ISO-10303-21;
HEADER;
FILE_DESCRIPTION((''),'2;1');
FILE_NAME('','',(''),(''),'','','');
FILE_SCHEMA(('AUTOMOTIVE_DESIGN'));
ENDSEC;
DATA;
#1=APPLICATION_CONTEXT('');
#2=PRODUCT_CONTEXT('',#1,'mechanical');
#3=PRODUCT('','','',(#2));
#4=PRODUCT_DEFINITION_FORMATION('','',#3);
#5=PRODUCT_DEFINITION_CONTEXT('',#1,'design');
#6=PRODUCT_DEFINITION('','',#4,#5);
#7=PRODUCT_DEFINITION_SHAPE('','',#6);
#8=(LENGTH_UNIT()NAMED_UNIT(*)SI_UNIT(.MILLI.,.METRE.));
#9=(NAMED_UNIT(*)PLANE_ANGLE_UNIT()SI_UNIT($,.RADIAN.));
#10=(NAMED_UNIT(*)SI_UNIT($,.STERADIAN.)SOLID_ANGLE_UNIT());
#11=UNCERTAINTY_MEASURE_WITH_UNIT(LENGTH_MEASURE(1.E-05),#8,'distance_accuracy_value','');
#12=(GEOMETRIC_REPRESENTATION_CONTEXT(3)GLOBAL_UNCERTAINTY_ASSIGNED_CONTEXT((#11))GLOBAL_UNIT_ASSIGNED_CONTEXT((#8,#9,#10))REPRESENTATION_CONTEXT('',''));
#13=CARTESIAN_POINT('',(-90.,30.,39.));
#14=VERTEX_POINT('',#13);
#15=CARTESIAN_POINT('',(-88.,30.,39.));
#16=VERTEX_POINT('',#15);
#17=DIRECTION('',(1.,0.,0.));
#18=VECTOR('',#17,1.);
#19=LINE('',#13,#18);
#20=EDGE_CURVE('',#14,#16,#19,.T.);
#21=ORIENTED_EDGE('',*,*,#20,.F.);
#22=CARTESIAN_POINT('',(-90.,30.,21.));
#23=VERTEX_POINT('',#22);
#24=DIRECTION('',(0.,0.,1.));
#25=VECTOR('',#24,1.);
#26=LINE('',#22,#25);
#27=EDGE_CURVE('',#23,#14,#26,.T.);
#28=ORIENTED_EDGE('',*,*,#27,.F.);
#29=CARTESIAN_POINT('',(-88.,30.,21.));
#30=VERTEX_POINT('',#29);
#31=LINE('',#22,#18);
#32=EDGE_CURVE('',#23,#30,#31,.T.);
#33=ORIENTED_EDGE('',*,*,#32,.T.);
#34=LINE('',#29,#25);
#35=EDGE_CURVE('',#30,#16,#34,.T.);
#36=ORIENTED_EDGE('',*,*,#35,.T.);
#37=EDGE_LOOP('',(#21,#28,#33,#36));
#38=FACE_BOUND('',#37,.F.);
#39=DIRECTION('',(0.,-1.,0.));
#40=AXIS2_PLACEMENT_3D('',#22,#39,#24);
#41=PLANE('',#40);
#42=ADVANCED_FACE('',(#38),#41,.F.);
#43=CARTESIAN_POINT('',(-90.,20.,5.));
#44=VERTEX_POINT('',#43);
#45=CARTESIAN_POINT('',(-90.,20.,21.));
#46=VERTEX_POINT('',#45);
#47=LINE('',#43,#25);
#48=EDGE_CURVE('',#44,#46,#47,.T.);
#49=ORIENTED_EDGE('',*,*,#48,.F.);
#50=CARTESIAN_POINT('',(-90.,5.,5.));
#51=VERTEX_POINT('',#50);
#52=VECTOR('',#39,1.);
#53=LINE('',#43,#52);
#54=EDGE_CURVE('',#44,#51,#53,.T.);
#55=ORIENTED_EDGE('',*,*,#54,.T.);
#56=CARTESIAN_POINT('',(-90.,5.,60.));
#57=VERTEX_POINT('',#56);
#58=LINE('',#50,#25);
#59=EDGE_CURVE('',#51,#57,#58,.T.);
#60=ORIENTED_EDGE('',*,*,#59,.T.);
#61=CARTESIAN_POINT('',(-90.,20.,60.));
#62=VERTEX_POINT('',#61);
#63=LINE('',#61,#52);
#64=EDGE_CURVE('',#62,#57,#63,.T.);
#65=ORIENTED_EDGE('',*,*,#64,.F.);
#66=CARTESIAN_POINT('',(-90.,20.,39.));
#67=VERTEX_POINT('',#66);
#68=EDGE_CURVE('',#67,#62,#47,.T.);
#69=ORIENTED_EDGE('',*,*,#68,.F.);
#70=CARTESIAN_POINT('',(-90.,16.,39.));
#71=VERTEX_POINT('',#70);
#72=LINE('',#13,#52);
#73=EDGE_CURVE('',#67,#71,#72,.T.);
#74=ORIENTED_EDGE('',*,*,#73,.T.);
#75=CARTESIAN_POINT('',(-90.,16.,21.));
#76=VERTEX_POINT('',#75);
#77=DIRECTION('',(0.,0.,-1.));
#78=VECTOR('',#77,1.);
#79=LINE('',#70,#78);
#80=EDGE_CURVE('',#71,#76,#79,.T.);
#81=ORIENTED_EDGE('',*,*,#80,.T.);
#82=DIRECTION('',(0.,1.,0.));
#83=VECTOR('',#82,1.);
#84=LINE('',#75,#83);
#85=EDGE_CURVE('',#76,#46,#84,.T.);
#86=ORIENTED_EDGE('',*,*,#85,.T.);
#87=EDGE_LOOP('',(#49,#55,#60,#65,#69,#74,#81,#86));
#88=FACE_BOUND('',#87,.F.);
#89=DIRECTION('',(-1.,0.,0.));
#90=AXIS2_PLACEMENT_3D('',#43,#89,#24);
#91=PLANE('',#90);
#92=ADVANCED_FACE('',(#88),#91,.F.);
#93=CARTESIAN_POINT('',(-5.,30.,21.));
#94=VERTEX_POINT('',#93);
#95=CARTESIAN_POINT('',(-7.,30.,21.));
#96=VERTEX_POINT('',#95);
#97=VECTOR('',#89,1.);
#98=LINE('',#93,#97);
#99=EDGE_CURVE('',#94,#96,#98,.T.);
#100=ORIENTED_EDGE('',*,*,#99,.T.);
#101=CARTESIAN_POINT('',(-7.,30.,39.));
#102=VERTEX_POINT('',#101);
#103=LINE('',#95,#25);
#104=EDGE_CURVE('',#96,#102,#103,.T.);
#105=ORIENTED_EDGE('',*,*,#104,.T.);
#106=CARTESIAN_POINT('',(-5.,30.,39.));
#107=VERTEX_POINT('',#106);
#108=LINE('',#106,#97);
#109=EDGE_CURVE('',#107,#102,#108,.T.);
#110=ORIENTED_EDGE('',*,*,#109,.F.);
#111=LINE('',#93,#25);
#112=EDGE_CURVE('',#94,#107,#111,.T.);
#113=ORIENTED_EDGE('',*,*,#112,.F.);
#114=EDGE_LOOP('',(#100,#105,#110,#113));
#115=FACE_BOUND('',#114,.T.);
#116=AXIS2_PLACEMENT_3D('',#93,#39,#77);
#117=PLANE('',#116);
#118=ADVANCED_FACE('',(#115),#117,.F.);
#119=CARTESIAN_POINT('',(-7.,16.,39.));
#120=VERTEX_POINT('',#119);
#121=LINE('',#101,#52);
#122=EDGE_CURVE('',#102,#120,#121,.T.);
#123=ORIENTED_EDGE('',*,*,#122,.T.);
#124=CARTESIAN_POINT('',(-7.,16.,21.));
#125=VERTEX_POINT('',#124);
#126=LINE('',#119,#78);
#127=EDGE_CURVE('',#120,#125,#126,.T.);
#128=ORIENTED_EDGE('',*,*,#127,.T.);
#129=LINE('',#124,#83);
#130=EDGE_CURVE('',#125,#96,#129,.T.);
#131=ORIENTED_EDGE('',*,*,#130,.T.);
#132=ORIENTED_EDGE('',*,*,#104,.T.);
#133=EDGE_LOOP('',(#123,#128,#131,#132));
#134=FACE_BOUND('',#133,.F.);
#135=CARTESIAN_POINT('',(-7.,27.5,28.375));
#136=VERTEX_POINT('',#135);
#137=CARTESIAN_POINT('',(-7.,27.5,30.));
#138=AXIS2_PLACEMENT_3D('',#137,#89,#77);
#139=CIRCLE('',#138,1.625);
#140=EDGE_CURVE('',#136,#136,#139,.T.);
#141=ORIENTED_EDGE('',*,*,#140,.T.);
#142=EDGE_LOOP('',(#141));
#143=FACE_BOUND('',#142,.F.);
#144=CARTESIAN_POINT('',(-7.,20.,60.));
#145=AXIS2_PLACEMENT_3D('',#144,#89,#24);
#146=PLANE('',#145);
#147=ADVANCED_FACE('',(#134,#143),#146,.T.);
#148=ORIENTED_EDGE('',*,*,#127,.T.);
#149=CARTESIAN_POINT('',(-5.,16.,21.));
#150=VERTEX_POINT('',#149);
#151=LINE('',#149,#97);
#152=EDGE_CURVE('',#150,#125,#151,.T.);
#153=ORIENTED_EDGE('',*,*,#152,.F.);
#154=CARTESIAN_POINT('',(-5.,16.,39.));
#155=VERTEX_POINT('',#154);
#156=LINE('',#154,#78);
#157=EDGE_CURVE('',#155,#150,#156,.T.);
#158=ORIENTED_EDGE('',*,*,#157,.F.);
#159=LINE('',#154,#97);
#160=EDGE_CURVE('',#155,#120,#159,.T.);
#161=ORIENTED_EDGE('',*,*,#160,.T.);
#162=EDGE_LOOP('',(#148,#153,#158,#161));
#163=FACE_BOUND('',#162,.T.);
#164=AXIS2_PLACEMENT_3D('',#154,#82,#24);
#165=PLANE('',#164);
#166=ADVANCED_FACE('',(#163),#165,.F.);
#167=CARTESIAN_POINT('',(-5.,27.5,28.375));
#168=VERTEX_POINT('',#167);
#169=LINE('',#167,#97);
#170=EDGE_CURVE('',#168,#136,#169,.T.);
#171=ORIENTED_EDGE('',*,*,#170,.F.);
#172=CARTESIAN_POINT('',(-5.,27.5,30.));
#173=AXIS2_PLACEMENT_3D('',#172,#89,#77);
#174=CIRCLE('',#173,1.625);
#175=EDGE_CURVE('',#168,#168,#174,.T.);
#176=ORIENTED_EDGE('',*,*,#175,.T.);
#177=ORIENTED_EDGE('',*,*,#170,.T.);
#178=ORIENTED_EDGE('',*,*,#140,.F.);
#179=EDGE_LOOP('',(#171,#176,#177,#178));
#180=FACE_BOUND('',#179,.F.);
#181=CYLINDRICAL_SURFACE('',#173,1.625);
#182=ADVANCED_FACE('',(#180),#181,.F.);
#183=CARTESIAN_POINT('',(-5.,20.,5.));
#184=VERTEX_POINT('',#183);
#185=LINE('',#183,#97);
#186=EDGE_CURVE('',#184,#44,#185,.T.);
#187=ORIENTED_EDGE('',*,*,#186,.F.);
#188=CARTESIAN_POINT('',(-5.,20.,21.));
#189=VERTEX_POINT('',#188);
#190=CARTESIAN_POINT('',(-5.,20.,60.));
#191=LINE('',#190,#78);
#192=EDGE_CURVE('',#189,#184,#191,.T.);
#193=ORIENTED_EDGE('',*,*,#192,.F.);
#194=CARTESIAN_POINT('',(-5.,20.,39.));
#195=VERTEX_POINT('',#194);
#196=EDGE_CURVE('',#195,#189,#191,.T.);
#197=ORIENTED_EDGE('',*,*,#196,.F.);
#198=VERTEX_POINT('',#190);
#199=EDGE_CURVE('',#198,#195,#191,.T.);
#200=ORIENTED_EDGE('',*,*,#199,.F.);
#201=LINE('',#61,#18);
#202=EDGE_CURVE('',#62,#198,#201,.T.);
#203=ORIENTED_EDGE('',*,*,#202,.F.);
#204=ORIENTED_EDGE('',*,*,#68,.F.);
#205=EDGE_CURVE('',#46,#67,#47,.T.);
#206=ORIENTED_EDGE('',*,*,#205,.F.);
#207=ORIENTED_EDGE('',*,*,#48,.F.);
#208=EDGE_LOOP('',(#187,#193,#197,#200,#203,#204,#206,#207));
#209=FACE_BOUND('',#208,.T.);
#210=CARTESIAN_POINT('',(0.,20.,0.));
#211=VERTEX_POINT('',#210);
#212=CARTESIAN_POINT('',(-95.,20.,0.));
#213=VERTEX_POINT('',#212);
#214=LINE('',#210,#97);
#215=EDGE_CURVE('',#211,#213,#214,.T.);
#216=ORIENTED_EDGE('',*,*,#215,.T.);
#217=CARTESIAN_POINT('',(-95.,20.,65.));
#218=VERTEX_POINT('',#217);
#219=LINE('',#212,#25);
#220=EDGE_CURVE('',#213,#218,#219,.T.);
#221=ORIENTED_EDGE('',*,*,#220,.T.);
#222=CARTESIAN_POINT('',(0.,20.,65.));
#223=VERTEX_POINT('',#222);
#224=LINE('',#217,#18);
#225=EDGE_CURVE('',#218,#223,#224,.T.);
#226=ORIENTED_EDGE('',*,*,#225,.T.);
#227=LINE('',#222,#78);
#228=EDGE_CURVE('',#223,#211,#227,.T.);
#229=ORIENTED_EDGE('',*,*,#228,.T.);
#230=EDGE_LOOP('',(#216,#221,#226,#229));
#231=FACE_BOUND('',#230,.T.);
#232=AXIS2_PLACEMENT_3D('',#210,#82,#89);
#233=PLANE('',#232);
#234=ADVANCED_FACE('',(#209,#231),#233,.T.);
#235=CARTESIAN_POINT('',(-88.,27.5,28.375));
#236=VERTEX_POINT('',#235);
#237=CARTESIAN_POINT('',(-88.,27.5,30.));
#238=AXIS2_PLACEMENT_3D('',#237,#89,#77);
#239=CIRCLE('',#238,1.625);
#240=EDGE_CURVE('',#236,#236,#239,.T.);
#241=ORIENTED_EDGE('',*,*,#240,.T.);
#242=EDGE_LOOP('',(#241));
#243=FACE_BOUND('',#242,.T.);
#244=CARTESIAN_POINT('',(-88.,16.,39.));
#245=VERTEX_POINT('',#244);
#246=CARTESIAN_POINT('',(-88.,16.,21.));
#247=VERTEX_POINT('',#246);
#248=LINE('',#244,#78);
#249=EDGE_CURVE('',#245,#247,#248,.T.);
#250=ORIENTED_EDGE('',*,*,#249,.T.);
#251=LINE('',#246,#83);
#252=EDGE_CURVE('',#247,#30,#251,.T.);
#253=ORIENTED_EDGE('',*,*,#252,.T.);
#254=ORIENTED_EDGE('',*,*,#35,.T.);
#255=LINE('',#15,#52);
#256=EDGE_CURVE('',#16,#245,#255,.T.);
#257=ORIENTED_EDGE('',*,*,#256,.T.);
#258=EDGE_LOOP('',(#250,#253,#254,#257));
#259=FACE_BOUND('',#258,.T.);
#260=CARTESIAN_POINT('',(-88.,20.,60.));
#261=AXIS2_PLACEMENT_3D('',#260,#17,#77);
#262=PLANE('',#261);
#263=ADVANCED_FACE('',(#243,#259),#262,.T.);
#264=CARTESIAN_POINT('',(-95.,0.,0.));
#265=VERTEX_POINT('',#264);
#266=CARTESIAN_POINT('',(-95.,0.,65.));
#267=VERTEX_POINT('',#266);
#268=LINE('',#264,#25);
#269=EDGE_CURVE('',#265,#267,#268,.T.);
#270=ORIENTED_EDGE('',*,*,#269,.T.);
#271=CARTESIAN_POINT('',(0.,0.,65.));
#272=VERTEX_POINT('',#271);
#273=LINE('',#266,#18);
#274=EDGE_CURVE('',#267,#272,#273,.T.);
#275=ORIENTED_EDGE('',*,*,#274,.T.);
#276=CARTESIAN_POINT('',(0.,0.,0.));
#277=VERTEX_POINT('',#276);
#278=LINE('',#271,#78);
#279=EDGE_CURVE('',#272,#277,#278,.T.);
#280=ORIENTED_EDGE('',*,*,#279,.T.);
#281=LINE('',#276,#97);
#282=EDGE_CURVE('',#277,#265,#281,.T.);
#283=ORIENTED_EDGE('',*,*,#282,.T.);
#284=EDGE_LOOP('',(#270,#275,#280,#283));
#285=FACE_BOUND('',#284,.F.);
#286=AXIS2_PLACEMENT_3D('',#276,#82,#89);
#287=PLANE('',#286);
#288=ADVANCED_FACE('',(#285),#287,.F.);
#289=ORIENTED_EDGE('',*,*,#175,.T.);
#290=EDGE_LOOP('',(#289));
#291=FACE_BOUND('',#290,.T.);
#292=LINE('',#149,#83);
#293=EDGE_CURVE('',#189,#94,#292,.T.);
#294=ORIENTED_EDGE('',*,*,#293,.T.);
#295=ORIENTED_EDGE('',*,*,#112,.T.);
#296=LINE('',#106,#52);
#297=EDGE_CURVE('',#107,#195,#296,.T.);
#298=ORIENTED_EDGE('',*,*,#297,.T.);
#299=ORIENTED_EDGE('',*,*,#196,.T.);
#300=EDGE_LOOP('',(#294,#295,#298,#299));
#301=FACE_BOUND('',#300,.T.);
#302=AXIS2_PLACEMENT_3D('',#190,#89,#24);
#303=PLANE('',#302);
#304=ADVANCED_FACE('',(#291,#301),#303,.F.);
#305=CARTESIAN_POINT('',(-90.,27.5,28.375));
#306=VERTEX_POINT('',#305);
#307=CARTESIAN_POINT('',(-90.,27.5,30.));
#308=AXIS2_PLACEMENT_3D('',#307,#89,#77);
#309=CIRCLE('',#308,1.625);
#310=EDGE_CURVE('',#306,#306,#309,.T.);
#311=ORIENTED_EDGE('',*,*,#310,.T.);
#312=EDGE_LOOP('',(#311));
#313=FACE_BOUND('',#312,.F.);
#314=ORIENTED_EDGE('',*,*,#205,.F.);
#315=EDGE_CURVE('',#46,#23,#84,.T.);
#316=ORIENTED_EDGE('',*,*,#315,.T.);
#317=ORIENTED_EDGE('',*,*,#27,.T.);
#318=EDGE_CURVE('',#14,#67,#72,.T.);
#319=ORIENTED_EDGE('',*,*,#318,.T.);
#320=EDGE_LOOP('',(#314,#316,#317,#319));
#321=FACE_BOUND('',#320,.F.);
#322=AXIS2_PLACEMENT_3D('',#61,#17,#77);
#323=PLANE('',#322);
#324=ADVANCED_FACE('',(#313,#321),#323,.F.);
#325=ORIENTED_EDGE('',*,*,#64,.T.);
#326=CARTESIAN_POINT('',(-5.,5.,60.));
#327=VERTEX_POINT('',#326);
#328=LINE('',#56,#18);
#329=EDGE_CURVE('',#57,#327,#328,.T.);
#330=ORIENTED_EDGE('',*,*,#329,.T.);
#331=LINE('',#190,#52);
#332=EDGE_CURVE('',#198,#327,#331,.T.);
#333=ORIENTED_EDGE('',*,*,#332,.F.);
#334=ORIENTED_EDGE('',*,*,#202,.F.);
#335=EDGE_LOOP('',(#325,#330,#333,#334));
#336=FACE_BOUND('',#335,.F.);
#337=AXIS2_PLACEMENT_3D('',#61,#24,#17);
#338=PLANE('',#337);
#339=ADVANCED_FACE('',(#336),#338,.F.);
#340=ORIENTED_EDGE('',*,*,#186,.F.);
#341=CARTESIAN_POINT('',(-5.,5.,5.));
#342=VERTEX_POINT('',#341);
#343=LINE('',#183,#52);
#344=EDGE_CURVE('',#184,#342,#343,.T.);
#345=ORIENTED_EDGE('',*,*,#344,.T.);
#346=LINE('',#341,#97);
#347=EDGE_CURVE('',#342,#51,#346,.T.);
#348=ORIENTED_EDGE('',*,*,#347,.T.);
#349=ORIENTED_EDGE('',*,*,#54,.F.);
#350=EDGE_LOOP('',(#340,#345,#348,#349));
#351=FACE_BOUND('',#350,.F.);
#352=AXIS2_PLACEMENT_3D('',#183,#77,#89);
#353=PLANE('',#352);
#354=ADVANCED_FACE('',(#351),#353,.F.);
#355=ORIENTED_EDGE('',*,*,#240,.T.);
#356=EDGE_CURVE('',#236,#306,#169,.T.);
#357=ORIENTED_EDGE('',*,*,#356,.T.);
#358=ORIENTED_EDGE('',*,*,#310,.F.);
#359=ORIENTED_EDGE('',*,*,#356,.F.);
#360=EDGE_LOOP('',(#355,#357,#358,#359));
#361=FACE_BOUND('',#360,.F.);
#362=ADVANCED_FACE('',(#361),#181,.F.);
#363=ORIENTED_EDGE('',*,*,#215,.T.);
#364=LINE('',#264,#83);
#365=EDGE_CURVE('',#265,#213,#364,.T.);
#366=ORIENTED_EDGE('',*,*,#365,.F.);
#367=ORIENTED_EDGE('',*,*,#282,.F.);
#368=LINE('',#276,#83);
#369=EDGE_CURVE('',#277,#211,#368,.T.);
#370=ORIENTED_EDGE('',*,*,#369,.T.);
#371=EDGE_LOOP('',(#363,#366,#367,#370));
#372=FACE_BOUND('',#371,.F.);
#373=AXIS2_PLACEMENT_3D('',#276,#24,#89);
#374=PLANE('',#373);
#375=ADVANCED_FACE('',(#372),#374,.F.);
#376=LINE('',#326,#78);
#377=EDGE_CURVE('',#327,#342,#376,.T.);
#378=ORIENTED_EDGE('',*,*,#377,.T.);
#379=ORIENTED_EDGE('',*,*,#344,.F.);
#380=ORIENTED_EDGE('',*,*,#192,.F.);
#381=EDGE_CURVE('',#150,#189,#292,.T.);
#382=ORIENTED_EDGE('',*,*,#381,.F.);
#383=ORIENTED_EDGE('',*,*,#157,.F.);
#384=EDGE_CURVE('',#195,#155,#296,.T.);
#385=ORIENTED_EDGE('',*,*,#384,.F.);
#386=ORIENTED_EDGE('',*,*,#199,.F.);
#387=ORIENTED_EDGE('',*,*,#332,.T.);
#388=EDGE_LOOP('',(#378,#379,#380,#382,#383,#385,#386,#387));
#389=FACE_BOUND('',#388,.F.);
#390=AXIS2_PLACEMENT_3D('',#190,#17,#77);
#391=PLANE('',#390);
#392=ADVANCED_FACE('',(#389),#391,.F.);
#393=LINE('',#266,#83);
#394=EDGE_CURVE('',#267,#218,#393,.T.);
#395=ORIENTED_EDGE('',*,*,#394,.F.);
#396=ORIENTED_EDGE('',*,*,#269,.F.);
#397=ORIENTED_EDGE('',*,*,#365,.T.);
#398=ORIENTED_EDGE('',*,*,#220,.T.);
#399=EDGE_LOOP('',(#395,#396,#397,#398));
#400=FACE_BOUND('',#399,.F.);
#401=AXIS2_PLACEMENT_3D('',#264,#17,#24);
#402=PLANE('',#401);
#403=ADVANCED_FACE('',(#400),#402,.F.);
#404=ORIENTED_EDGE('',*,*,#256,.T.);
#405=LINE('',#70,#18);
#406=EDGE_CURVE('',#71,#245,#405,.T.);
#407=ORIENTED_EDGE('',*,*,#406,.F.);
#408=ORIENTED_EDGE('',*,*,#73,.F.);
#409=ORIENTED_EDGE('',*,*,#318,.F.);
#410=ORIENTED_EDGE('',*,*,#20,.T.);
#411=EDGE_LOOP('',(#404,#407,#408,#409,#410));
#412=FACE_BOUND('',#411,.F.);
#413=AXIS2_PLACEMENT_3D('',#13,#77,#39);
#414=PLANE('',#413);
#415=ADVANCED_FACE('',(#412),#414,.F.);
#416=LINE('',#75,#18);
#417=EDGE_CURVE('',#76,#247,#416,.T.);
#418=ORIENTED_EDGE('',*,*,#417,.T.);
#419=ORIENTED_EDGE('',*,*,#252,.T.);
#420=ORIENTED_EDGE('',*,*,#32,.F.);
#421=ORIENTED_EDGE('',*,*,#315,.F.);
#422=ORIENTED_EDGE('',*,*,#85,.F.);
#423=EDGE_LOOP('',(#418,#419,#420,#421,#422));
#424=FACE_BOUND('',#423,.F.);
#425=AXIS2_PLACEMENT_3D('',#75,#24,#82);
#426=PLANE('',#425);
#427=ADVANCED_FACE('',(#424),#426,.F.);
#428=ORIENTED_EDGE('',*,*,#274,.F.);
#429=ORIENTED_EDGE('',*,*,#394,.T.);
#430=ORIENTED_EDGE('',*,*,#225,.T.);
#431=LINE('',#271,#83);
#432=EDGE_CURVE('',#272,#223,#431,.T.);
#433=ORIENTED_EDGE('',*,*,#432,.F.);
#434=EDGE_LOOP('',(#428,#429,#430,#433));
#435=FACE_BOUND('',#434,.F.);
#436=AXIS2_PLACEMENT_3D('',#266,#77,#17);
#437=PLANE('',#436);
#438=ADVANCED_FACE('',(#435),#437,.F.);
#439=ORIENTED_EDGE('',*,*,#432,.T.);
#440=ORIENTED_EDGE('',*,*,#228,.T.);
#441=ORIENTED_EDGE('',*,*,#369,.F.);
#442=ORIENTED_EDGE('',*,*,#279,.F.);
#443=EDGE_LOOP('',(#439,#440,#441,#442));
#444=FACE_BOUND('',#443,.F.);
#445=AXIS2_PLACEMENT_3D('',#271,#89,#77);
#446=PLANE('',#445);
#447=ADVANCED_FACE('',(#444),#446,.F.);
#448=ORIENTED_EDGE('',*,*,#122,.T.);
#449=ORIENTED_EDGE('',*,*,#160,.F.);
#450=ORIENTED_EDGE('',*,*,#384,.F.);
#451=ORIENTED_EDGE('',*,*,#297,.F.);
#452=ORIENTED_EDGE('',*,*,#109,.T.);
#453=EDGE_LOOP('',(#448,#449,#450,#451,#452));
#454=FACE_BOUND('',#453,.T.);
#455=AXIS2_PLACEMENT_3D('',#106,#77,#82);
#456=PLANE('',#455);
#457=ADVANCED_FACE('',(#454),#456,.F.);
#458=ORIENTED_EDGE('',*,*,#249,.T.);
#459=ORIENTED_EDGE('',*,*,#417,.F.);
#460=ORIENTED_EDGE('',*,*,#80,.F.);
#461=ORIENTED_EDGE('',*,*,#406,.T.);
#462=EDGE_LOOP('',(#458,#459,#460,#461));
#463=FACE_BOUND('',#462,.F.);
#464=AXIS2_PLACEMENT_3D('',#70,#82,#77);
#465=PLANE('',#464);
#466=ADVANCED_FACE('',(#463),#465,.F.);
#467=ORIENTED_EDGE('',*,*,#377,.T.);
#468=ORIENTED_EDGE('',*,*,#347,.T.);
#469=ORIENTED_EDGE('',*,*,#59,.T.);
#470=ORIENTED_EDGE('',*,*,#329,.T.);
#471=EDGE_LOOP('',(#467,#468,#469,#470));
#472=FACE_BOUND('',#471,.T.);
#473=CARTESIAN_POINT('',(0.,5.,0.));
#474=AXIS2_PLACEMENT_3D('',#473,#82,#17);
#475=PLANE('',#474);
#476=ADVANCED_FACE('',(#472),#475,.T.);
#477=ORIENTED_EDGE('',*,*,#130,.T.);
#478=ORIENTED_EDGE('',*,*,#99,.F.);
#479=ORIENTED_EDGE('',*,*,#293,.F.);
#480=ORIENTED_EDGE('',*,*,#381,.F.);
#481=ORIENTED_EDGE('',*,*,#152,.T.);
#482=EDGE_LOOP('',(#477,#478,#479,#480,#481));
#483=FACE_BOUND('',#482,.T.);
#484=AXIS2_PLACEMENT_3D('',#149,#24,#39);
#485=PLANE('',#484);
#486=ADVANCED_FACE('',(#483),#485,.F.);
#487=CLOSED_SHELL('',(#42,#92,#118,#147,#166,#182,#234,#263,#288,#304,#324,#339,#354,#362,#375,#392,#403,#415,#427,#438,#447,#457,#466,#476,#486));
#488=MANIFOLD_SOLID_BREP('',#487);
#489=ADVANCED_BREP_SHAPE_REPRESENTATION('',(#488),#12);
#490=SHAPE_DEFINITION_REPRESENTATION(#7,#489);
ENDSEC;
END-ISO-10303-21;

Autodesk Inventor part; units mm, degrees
ref_plane "YZ Plane" through (0, 0, 0) normal (1, 0, 0) x (0, 1, 0)
ref_plane "XZ Plane" through (0, 0, 0) normal (0, 1, 0) x (-1, 0, 0)
sketch "Sketch1" plane through (0, 0, 0) normal (0, 1, 0) x (-1, 0, 0)
  line L0 (0, 0) -> (95, 0)
  line L1 (95, 0) -> (95, 65)
  line L2 (95, 65) -> (0, 65)
  line L3 (0, 65) -> (0, 0)
extrude "Extrusion1" add sketch "Sketch1" along normal blind 20
sketch "Sketch2" plane through (0, 20, 0) normal (0, 1, 0) x (1, 0, 0)
  line L0 (-5, -5) -> (-90, -5)
  line L1 (-90, -5) -> (-90, -60)
  line L2 (-90, -60) -> (-5, -60)
  line L3 (-5, -60) -> (-5, -5)
extrude "Extrusion2" cut sketch "Sketch2" against normal blind 15
sketch "Sketch5" plane through (-90, 20, 60) normal (1, 0, 0) x (0, 0, -1)
  line L0 (0, -15) -> (55, -15) projected
  line L1 (21, -4) -> (39, -4)
  line L2 (39, -4) -> (39, 10)
  line L3 (39, 10) -> (21, 10)
  line L4 (21, 10) -> (21, -4)
  point P0 (60, -20)
  point P1 (60, 0)
  dimension "d12" = 18
  dimension "d13" = 14
  dimension "d15" = 21
  dimension "d16" = 11
extrude "Extrusion3" add sketch "Sketch5" along normal blind 2
ref_plane "Work Plane1" through (-47.5, 5, 60) normal (1, 0, 0) x (0, 0, -1)
mirror "Mirror1" about plane through (-47.5, 5, 60) normal (1, 0, 0) of "Extrusion3"
sketch "Sketch7" plane through (-5, 20, 21) normal (1, 0, 0) x (0, 0, -1)
  line L0 (0, 10) -> (-18, 10) projected
  line L1 (-18, 10) -> (-18, 0) projected
  point P0 (21, -20)
  point P1 (-9, 7.5)
  dimension "d19" = 9
  dimension "d20" = 2.5
hole "Hole2" at (-5, 27.5, 30) direction (-1, 0, 0) diameter 3.25 end through all
properties part number "RESONATORCHAMBER"
